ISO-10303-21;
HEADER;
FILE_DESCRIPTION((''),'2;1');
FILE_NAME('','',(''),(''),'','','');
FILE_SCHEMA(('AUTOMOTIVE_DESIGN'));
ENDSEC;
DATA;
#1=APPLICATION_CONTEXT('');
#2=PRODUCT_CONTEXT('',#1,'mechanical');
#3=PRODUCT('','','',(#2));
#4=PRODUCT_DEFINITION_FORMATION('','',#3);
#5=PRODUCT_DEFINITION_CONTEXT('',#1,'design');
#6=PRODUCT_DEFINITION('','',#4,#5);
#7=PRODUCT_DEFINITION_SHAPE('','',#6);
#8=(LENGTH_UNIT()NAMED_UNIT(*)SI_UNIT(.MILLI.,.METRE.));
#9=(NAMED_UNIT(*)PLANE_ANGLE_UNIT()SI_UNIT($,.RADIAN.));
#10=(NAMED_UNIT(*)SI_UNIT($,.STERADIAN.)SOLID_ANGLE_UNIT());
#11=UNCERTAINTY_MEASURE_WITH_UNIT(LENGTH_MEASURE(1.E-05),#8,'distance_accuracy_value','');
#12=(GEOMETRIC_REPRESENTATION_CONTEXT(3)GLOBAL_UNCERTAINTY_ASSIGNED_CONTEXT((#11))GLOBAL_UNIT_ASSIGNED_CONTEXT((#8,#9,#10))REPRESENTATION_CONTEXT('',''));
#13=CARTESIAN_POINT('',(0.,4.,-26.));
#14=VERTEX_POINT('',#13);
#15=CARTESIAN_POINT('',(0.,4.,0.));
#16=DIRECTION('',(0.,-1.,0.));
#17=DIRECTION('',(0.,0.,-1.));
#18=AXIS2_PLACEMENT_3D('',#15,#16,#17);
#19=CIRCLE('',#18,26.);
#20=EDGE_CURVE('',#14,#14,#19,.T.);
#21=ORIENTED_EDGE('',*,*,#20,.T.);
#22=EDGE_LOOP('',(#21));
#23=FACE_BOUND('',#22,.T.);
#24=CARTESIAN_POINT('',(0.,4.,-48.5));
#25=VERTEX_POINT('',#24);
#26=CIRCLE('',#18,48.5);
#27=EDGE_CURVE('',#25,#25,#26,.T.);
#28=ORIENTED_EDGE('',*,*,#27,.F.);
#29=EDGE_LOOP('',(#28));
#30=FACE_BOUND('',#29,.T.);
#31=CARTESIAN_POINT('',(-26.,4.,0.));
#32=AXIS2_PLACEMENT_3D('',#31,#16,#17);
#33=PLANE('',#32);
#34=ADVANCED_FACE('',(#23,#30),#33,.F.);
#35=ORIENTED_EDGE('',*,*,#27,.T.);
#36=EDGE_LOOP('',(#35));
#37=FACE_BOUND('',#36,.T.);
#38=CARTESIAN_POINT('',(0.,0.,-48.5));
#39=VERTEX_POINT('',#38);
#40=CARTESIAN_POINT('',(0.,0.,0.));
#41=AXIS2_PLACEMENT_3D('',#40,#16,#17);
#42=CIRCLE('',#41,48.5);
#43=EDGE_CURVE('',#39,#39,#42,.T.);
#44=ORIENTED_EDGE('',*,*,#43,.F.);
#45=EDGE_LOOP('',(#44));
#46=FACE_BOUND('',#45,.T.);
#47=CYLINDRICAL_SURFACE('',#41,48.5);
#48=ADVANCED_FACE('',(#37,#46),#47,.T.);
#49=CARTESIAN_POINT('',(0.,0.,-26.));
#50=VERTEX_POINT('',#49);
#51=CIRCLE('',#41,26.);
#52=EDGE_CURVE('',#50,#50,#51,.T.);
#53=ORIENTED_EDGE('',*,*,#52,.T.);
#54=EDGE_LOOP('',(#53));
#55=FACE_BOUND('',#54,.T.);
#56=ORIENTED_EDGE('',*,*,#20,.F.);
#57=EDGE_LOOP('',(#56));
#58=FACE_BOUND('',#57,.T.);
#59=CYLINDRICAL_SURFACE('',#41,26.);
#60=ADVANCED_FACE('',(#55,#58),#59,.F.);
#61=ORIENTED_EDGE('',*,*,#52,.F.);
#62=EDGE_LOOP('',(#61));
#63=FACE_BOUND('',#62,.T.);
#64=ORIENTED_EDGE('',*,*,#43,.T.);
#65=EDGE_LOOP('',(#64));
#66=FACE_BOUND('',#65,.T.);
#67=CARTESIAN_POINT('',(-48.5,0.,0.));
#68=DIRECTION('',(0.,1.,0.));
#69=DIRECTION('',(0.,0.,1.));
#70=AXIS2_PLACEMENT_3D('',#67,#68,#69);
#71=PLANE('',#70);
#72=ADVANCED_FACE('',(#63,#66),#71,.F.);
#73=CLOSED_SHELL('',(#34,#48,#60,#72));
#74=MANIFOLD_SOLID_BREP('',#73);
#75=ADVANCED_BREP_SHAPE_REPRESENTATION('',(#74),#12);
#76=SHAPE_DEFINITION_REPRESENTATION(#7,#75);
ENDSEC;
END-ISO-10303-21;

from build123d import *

# Parameters (mm, degrees)
SCHIZZO1_W = 22.5
SCHIZZO1_H = 4


with BuildPart() as part:
    # Schizzo1 → Rivoluzione1 (revolve)
    with BuildSketch(Plane.XY, mode=Mode.PRIVATE) as rivoluzione1_sk:
        with Locations((-37.25, 2)):
            Rectangle(SCHIZZO1_W, SCHIZZO1_H)
    revolve(rivoluzione1_sk.sketch.rotate(Axis((0, 0, 0), (0, 1, 0)), 270), axis=Axis((0, 0, 0), (0, 1, 0)))


solid = part.part
